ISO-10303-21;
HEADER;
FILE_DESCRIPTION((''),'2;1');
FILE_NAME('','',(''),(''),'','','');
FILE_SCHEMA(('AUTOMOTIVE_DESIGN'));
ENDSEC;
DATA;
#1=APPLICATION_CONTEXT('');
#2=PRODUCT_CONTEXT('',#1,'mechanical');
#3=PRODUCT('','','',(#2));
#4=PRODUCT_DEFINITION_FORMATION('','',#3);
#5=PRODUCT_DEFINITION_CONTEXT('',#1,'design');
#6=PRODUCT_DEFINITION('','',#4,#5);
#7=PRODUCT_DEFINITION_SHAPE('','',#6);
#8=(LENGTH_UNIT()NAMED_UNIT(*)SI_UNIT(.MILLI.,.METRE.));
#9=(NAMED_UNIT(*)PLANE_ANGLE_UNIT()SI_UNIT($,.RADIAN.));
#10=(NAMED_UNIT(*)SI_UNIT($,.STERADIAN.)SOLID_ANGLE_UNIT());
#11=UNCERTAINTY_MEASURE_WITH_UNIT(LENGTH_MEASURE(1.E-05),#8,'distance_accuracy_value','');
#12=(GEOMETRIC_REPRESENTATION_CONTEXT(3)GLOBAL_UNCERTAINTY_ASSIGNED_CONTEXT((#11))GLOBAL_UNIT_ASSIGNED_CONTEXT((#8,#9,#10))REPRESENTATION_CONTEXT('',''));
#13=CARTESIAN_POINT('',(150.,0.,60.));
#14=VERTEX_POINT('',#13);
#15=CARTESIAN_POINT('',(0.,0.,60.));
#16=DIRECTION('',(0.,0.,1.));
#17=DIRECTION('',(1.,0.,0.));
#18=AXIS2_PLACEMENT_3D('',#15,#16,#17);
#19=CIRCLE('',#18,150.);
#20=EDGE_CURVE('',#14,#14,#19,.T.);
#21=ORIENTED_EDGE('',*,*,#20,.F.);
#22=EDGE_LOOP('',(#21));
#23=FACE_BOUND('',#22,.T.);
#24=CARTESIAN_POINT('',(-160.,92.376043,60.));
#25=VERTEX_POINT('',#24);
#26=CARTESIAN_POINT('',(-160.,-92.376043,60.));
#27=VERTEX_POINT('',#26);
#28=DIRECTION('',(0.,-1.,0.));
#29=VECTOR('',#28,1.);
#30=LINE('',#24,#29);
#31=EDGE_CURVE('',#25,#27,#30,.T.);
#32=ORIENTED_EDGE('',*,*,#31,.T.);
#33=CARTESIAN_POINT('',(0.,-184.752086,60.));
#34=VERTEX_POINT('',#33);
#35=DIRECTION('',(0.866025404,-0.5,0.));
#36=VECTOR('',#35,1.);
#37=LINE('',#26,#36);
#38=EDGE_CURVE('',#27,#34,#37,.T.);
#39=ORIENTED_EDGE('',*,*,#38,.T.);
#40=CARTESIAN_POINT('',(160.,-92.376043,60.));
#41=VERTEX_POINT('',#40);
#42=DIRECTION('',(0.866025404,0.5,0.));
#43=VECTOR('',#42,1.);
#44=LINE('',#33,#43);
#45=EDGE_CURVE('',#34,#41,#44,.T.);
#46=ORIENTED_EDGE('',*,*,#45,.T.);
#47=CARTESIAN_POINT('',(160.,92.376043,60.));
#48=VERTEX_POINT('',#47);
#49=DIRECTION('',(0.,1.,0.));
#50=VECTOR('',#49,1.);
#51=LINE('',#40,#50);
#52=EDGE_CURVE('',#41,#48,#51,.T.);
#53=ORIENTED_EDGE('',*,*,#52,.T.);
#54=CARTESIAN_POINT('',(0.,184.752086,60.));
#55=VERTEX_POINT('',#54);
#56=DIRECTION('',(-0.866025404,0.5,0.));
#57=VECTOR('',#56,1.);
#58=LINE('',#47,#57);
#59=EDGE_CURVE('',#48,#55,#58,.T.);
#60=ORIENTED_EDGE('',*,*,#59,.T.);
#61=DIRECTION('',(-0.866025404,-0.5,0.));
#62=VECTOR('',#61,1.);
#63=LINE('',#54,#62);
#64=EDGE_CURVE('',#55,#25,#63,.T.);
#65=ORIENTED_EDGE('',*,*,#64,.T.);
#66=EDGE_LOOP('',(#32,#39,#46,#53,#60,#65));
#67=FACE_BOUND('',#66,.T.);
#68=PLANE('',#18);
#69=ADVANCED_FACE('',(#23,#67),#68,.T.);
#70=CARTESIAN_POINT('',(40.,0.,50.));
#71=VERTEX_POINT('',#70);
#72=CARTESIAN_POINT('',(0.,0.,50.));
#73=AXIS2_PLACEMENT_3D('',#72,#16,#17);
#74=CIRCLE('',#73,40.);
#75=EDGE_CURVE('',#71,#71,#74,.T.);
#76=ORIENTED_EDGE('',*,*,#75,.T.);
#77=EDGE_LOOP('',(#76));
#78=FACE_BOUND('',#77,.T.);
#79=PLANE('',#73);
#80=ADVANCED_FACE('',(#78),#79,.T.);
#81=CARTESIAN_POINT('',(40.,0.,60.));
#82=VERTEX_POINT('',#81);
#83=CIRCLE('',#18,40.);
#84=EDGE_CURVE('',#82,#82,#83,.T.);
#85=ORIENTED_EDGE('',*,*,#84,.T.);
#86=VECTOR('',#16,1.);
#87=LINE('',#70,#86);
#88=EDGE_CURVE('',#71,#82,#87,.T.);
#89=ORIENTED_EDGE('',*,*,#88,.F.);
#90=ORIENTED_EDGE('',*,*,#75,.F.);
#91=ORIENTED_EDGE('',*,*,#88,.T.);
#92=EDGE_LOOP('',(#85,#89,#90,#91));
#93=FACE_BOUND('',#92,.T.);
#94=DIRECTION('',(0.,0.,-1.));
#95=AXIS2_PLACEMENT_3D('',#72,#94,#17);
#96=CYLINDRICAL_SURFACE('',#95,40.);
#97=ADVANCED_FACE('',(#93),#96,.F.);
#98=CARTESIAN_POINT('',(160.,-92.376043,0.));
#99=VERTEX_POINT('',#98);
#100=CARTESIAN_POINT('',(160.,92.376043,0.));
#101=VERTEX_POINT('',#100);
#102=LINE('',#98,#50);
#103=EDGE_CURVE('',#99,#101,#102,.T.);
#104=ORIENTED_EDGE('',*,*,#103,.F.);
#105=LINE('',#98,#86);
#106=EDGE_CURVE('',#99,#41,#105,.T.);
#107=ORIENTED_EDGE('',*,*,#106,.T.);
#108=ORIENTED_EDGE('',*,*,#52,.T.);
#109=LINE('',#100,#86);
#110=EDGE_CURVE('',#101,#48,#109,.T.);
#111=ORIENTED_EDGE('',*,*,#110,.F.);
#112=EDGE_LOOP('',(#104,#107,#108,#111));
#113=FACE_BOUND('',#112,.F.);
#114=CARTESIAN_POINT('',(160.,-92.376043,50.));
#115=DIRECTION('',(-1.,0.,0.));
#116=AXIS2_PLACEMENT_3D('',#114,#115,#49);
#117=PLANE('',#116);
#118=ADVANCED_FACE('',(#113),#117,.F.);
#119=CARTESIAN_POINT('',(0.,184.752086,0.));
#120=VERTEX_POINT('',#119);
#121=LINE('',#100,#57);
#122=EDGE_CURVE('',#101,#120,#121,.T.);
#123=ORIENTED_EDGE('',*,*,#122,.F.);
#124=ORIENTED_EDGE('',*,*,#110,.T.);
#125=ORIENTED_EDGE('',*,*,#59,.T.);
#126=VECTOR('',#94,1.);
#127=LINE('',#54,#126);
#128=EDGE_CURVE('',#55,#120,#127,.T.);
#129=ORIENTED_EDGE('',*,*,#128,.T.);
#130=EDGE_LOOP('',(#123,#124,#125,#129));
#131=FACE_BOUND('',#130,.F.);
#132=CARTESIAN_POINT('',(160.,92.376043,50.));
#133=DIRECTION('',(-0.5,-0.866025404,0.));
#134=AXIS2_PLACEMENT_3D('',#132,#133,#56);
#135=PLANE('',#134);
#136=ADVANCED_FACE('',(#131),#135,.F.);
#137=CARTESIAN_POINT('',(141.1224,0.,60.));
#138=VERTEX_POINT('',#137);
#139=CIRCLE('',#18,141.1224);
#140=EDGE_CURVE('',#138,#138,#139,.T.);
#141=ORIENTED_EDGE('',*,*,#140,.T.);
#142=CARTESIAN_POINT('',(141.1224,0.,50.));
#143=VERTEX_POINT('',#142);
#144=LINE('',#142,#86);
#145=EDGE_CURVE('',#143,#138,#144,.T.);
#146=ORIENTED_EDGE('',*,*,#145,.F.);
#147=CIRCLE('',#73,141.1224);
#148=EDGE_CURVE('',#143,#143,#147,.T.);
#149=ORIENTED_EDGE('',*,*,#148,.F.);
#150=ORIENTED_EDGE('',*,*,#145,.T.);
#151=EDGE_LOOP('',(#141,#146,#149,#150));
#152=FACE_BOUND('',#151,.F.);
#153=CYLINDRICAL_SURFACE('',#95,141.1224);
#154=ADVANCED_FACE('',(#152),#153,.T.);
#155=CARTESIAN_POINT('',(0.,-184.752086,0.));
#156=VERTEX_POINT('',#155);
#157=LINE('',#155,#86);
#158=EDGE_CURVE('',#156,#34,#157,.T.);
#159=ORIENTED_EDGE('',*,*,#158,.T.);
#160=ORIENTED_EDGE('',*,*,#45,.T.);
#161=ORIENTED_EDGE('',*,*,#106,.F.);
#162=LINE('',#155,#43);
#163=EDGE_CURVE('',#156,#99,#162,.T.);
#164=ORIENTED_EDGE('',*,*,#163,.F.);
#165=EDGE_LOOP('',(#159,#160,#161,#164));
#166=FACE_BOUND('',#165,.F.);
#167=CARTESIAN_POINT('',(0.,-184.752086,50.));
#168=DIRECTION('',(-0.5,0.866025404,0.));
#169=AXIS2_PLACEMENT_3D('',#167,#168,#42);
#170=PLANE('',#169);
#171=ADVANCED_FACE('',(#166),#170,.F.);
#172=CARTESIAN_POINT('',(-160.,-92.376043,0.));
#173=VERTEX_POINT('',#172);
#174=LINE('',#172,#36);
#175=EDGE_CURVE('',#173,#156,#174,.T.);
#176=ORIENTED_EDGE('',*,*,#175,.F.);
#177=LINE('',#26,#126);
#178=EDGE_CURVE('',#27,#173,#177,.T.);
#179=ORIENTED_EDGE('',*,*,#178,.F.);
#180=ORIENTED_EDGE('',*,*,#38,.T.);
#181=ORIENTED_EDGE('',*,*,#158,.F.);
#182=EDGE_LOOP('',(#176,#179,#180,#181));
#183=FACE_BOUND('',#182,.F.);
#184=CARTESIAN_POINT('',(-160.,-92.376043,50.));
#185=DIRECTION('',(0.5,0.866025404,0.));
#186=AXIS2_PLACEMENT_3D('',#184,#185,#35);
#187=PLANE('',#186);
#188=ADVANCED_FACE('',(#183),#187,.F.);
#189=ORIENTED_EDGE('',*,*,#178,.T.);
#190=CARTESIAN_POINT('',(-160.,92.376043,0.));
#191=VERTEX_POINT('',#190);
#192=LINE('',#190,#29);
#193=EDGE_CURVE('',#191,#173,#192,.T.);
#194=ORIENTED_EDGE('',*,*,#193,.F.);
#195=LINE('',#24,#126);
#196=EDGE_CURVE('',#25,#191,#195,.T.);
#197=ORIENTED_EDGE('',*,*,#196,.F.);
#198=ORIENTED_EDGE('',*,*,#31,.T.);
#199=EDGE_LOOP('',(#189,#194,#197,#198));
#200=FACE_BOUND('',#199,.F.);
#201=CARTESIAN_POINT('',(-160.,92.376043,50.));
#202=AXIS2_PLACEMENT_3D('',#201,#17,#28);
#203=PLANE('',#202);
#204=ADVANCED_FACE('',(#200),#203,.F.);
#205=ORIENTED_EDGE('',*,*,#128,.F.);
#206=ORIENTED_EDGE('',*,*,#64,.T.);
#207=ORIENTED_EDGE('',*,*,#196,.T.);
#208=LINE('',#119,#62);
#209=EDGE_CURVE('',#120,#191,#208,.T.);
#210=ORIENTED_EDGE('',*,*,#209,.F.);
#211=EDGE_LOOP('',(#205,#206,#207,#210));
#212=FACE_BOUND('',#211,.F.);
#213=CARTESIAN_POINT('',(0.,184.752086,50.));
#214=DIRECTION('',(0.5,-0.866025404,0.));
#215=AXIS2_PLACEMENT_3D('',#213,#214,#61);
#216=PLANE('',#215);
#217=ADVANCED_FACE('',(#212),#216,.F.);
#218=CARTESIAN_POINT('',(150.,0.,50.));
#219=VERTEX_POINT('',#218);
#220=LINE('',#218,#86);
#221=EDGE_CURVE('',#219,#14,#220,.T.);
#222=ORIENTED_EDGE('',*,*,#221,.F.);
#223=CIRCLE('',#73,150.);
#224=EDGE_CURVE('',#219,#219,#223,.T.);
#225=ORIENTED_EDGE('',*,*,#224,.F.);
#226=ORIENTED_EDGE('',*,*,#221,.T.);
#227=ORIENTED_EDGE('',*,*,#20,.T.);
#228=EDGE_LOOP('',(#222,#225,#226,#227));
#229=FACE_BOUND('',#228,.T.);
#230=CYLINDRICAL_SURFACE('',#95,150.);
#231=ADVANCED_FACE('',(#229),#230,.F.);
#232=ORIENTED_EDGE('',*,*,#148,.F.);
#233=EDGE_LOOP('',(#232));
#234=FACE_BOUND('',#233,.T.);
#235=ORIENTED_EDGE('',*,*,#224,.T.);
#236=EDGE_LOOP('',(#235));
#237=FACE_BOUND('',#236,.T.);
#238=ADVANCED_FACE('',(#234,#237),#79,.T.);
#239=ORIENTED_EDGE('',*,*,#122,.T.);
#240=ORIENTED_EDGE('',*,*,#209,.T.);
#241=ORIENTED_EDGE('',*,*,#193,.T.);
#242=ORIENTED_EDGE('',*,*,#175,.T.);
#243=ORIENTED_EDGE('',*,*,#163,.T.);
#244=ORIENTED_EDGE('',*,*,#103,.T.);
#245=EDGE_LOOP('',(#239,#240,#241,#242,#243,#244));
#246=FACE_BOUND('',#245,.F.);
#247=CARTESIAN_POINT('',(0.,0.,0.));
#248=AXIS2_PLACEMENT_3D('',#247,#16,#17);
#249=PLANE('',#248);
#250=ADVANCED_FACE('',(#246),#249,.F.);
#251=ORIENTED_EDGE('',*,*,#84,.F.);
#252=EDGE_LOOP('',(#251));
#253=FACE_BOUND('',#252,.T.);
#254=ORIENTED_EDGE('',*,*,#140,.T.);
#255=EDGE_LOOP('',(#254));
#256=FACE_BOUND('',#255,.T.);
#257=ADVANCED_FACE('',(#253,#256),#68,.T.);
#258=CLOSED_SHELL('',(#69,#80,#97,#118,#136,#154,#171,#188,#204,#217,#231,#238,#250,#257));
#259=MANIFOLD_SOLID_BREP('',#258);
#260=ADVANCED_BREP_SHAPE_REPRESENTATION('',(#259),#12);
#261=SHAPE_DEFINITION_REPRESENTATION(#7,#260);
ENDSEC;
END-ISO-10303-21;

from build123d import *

# Parameters (mm, degrees)
F1_DEPTH = 50
F3_R     = 150
F4_DEPTH = 10
F3_R_2   = 141.1224
F3_R_3   = 40
F5_DEPTH = 10


with BuildPart() as f1:
    # F0 (on Top) → F1 (new body)
    with BuildSketch(Plane.XY):
        Polygon((160, -92.376043), (160, 92.376043), (0, 184.752086), (-160, 92.376043), (-160, -92.376043), (0, -184.752086), align=None)
    extrude(amount=F1_DEPTH)

    # F3 (on face) → F4 (join)
    with BuildSketch(Plane.XY.offset(50)):
        Polygon((-160, -92.376043), (0, -184.752086), (160, -92.376043), (160, 92.376043), (0, 184.752086), (-160, 92.376043), align=None)
        Circle(F3_R, mode=Mode.SUBTRACT)
    extrude(amount=F4_DEPTH)

    # F3 (on face) → F5 (join)
    with BuildSketch(Plane.XY.offset(50)):
        Circle(F3_R_2)
        Circle(F3_R_3, mode=Mode.SUBTRACT)
    extrude(amount=F5_DEPTH)


solid = f1.part
